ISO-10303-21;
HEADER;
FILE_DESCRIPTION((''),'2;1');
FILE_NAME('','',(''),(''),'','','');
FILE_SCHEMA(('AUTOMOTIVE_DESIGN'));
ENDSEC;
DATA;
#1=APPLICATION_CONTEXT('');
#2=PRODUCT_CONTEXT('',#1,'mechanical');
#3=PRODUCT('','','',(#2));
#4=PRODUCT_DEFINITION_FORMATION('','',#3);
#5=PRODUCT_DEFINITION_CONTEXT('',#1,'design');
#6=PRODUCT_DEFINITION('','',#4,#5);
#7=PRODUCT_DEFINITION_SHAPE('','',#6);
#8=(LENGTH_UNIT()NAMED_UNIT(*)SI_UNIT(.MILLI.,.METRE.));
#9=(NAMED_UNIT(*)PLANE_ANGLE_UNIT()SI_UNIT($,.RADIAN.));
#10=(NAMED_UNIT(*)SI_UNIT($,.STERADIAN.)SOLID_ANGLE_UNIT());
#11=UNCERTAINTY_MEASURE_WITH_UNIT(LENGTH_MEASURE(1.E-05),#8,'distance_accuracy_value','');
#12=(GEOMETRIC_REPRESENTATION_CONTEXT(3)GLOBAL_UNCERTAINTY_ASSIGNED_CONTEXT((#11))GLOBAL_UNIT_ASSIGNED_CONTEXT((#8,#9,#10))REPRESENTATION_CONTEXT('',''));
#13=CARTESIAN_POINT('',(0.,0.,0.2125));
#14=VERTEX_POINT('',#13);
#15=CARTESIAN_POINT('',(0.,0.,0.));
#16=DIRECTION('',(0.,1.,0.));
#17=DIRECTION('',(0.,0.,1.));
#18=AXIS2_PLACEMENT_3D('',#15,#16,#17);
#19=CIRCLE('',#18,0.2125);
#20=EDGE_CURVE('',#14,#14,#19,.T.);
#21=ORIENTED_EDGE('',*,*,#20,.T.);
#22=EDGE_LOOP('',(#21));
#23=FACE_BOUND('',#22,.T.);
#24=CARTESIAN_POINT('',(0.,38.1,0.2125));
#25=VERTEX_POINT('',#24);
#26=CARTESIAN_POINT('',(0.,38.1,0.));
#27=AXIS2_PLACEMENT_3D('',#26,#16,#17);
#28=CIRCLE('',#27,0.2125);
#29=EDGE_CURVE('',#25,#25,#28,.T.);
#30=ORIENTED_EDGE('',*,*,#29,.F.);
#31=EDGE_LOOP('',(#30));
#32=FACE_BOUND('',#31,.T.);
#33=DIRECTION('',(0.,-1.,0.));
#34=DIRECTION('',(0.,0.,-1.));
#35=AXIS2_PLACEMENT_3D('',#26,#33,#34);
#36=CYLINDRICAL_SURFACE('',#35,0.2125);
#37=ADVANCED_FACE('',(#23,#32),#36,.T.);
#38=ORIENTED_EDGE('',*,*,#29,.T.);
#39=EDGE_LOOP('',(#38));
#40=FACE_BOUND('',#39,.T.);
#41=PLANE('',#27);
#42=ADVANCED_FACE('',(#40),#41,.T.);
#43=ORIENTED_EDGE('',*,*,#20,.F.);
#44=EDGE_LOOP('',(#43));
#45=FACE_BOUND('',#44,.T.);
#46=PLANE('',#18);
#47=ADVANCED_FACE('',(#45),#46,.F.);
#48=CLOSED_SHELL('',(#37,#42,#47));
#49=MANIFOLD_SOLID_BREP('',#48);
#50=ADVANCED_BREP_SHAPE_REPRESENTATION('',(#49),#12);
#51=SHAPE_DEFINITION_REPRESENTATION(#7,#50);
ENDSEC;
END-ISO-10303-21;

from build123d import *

# Parameters (mm, degrees)
SKETCH1_R           = 0.2125
BOSS_EXTRUDE1_DEPTH = 38.1


with BuildPart() as part:
    # Sketch1 → Boss-Extrude1 (new body)
    with BuildSketch(Plane(origin=(0, 0, 0), x_dir=(1, 0, 0), z_dir=(0, 1, 0))):
        Circle(SKETCH1_R)
    extrude(amount=BOSS_EXTRUDE1_DEPTH)


solid = part.part
